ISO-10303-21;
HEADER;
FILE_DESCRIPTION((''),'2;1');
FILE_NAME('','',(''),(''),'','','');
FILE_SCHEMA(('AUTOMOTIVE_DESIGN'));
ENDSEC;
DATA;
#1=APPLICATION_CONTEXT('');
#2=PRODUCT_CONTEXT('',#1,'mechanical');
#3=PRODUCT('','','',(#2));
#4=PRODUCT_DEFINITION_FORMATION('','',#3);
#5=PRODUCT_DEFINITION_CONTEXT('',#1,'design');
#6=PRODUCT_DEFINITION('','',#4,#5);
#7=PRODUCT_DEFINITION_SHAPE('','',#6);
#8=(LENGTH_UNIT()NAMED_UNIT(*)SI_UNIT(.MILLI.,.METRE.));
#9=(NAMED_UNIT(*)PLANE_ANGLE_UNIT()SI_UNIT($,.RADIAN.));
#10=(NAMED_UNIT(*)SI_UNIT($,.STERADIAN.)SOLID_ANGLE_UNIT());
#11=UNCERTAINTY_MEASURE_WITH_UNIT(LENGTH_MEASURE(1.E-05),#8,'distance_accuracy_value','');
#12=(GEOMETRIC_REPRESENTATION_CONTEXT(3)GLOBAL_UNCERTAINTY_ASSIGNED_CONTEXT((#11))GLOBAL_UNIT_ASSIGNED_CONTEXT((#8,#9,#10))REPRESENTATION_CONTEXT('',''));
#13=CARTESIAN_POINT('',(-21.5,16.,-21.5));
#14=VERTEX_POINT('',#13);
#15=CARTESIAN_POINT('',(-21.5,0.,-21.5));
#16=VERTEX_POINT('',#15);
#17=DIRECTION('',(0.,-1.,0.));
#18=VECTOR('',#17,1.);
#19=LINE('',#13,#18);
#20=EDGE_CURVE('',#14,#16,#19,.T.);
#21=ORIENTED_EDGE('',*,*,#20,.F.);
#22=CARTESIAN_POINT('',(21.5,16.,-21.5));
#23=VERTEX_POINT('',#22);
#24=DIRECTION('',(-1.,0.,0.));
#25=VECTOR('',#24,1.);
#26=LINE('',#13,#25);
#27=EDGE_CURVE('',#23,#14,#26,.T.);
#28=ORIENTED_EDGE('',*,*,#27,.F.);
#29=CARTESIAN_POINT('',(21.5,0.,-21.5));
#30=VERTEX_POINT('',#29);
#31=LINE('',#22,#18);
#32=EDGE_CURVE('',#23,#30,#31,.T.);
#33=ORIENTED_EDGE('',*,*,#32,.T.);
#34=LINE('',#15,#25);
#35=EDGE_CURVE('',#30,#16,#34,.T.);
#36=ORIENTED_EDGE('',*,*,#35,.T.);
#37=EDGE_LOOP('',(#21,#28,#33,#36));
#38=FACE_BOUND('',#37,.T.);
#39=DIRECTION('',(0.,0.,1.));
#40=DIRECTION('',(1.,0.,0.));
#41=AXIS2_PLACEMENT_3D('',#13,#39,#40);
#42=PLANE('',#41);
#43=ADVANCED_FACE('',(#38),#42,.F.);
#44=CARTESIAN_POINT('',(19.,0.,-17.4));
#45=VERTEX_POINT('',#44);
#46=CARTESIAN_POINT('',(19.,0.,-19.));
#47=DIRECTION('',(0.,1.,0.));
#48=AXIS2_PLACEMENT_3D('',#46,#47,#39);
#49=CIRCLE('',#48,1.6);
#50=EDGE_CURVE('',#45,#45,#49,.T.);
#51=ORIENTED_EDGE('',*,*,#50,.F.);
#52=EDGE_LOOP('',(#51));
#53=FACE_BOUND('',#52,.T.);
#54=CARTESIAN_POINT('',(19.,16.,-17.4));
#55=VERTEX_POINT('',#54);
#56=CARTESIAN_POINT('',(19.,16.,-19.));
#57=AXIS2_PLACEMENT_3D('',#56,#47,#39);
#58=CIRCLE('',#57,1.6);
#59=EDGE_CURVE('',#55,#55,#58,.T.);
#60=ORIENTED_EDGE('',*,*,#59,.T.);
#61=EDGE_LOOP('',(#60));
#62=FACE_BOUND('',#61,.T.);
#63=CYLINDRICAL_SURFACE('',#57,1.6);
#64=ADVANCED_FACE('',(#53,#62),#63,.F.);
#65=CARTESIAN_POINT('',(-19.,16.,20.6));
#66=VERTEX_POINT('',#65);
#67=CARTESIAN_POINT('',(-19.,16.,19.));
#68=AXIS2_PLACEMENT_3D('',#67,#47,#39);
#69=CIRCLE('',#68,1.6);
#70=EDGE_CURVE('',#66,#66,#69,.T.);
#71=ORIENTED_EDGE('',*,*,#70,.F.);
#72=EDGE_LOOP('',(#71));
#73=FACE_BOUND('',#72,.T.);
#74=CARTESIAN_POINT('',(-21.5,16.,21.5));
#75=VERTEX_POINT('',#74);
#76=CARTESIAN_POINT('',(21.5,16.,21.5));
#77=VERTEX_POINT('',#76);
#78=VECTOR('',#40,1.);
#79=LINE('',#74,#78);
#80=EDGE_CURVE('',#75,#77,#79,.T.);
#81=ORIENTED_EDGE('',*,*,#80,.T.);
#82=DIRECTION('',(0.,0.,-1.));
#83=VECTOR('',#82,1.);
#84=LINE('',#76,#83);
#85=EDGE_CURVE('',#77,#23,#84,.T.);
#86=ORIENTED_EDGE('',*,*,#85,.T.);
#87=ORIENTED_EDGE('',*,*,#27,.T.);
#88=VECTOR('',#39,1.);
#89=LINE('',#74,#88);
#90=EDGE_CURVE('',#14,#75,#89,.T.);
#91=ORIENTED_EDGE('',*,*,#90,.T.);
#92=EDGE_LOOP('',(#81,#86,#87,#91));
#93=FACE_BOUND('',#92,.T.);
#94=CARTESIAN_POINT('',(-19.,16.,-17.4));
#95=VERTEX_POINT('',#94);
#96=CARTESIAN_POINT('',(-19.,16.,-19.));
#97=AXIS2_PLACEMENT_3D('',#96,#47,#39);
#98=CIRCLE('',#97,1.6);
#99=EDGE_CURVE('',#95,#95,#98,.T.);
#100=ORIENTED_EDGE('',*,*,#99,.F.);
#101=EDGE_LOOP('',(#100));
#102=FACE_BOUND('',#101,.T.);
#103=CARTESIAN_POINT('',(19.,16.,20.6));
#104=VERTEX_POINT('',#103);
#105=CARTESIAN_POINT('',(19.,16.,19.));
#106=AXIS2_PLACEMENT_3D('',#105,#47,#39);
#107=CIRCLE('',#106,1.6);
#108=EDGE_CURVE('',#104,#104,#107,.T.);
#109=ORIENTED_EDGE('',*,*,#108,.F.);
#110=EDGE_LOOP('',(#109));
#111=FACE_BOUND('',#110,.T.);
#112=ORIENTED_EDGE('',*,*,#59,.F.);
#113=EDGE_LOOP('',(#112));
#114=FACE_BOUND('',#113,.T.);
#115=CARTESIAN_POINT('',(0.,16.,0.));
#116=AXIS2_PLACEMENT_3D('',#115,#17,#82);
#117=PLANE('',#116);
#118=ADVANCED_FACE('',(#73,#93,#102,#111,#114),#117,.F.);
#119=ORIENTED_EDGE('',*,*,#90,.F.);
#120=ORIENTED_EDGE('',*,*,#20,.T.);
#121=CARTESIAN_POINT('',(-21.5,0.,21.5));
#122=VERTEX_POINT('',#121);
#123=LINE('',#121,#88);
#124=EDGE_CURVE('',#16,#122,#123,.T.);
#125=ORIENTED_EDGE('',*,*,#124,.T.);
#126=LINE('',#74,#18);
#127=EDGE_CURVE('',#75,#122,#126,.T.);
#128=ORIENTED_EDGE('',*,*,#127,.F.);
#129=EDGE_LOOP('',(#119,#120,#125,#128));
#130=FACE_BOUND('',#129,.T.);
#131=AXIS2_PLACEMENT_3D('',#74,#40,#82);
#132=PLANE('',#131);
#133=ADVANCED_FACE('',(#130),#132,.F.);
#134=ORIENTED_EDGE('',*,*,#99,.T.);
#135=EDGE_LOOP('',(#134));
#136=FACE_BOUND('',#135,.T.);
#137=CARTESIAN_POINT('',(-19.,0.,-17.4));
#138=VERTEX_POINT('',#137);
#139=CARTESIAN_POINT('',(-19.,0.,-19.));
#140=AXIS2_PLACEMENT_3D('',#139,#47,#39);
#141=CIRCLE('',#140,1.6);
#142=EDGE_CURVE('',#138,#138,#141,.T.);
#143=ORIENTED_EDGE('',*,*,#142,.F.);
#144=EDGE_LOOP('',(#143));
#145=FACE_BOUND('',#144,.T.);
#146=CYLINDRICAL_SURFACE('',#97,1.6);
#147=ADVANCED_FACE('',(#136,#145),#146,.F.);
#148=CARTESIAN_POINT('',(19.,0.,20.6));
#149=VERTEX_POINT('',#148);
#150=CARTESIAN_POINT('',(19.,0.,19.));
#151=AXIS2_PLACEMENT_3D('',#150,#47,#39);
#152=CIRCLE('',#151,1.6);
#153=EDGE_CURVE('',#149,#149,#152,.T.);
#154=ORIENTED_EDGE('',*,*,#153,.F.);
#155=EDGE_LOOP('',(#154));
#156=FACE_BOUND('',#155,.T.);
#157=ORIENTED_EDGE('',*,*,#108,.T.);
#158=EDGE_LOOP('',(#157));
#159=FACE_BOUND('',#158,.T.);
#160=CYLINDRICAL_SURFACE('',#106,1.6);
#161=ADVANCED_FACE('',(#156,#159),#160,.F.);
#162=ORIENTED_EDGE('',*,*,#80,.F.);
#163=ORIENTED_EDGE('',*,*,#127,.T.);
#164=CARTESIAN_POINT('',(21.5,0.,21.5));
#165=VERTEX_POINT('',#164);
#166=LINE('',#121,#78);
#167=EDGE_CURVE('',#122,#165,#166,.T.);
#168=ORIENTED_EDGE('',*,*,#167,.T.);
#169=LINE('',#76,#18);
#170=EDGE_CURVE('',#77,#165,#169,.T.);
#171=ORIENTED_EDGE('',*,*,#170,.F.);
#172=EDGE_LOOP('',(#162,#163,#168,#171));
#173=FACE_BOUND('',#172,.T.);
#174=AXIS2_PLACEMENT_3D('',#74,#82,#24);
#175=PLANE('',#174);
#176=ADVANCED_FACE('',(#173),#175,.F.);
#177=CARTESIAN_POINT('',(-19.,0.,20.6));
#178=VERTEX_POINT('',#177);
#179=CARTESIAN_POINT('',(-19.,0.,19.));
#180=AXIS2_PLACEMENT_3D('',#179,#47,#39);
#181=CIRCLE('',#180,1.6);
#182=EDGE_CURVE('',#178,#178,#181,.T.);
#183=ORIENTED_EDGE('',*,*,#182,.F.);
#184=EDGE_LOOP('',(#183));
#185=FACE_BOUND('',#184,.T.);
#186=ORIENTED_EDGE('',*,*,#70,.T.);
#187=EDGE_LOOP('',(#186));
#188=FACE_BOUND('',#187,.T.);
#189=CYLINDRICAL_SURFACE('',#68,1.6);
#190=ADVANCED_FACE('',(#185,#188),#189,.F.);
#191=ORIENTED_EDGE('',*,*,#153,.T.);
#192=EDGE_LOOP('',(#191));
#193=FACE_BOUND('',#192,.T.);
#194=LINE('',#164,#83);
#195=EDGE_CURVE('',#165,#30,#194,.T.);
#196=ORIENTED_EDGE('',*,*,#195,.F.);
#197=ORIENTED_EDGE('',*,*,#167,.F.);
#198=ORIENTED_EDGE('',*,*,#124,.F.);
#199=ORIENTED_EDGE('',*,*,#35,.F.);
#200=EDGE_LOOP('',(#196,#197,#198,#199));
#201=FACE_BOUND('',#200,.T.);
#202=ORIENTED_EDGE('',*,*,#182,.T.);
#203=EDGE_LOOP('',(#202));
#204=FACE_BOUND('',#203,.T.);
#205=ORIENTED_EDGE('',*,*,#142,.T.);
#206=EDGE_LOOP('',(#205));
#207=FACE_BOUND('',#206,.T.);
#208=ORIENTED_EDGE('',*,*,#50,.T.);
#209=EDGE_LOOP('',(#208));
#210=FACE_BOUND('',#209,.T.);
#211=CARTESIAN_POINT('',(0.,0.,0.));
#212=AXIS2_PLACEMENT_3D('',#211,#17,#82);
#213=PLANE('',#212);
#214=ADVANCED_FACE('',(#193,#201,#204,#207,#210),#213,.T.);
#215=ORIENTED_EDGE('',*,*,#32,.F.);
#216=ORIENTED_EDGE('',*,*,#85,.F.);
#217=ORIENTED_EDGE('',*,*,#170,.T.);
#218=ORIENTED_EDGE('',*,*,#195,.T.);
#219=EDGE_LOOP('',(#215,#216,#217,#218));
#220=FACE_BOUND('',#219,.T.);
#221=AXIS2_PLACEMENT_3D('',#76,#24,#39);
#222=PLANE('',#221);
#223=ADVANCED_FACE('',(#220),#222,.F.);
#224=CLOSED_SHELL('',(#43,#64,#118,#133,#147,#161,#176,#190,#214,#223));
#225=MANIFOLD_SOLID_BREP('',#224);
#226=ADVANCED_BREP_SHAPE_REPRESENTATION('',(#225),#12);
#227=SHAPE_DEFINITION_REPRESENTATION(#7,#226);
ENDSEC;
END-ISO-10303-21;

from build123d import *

# Parameters (mm, degrees)
SKETCH1_W            = 43
SKETCH1_H            = 43
BOSS_EXTRUDE1_DEPTH  = 16
M3_CLEARANCE_HOLE1_D = 3.2


with BuildPart() as part:
    # Sketch1 → Boss-Extrude1 (new body)
    with BuildSketch(Plane(origin=(0, 0, 0), x_dir=(1, 0, 0), z_dir=(0, 1, 0))):
        Rectangle(SKETCH1_W, SKETCH1_H)
    extrude(amount=BOSS_EXTRUDE1_DEPTH)

    # M3 Clearance Hole1 (through all)
    with Locations(Plane(origin=(0, 16, 0), x_dir=(1, 0, 0), z_dir=(0, 1, 0))):
        with Locations((-19, 19), (19, 19), (19, -19), (-19, -19)):
            Hole(M3_CLEARANCE_HOLE1_D / 2)


solid = part.part
